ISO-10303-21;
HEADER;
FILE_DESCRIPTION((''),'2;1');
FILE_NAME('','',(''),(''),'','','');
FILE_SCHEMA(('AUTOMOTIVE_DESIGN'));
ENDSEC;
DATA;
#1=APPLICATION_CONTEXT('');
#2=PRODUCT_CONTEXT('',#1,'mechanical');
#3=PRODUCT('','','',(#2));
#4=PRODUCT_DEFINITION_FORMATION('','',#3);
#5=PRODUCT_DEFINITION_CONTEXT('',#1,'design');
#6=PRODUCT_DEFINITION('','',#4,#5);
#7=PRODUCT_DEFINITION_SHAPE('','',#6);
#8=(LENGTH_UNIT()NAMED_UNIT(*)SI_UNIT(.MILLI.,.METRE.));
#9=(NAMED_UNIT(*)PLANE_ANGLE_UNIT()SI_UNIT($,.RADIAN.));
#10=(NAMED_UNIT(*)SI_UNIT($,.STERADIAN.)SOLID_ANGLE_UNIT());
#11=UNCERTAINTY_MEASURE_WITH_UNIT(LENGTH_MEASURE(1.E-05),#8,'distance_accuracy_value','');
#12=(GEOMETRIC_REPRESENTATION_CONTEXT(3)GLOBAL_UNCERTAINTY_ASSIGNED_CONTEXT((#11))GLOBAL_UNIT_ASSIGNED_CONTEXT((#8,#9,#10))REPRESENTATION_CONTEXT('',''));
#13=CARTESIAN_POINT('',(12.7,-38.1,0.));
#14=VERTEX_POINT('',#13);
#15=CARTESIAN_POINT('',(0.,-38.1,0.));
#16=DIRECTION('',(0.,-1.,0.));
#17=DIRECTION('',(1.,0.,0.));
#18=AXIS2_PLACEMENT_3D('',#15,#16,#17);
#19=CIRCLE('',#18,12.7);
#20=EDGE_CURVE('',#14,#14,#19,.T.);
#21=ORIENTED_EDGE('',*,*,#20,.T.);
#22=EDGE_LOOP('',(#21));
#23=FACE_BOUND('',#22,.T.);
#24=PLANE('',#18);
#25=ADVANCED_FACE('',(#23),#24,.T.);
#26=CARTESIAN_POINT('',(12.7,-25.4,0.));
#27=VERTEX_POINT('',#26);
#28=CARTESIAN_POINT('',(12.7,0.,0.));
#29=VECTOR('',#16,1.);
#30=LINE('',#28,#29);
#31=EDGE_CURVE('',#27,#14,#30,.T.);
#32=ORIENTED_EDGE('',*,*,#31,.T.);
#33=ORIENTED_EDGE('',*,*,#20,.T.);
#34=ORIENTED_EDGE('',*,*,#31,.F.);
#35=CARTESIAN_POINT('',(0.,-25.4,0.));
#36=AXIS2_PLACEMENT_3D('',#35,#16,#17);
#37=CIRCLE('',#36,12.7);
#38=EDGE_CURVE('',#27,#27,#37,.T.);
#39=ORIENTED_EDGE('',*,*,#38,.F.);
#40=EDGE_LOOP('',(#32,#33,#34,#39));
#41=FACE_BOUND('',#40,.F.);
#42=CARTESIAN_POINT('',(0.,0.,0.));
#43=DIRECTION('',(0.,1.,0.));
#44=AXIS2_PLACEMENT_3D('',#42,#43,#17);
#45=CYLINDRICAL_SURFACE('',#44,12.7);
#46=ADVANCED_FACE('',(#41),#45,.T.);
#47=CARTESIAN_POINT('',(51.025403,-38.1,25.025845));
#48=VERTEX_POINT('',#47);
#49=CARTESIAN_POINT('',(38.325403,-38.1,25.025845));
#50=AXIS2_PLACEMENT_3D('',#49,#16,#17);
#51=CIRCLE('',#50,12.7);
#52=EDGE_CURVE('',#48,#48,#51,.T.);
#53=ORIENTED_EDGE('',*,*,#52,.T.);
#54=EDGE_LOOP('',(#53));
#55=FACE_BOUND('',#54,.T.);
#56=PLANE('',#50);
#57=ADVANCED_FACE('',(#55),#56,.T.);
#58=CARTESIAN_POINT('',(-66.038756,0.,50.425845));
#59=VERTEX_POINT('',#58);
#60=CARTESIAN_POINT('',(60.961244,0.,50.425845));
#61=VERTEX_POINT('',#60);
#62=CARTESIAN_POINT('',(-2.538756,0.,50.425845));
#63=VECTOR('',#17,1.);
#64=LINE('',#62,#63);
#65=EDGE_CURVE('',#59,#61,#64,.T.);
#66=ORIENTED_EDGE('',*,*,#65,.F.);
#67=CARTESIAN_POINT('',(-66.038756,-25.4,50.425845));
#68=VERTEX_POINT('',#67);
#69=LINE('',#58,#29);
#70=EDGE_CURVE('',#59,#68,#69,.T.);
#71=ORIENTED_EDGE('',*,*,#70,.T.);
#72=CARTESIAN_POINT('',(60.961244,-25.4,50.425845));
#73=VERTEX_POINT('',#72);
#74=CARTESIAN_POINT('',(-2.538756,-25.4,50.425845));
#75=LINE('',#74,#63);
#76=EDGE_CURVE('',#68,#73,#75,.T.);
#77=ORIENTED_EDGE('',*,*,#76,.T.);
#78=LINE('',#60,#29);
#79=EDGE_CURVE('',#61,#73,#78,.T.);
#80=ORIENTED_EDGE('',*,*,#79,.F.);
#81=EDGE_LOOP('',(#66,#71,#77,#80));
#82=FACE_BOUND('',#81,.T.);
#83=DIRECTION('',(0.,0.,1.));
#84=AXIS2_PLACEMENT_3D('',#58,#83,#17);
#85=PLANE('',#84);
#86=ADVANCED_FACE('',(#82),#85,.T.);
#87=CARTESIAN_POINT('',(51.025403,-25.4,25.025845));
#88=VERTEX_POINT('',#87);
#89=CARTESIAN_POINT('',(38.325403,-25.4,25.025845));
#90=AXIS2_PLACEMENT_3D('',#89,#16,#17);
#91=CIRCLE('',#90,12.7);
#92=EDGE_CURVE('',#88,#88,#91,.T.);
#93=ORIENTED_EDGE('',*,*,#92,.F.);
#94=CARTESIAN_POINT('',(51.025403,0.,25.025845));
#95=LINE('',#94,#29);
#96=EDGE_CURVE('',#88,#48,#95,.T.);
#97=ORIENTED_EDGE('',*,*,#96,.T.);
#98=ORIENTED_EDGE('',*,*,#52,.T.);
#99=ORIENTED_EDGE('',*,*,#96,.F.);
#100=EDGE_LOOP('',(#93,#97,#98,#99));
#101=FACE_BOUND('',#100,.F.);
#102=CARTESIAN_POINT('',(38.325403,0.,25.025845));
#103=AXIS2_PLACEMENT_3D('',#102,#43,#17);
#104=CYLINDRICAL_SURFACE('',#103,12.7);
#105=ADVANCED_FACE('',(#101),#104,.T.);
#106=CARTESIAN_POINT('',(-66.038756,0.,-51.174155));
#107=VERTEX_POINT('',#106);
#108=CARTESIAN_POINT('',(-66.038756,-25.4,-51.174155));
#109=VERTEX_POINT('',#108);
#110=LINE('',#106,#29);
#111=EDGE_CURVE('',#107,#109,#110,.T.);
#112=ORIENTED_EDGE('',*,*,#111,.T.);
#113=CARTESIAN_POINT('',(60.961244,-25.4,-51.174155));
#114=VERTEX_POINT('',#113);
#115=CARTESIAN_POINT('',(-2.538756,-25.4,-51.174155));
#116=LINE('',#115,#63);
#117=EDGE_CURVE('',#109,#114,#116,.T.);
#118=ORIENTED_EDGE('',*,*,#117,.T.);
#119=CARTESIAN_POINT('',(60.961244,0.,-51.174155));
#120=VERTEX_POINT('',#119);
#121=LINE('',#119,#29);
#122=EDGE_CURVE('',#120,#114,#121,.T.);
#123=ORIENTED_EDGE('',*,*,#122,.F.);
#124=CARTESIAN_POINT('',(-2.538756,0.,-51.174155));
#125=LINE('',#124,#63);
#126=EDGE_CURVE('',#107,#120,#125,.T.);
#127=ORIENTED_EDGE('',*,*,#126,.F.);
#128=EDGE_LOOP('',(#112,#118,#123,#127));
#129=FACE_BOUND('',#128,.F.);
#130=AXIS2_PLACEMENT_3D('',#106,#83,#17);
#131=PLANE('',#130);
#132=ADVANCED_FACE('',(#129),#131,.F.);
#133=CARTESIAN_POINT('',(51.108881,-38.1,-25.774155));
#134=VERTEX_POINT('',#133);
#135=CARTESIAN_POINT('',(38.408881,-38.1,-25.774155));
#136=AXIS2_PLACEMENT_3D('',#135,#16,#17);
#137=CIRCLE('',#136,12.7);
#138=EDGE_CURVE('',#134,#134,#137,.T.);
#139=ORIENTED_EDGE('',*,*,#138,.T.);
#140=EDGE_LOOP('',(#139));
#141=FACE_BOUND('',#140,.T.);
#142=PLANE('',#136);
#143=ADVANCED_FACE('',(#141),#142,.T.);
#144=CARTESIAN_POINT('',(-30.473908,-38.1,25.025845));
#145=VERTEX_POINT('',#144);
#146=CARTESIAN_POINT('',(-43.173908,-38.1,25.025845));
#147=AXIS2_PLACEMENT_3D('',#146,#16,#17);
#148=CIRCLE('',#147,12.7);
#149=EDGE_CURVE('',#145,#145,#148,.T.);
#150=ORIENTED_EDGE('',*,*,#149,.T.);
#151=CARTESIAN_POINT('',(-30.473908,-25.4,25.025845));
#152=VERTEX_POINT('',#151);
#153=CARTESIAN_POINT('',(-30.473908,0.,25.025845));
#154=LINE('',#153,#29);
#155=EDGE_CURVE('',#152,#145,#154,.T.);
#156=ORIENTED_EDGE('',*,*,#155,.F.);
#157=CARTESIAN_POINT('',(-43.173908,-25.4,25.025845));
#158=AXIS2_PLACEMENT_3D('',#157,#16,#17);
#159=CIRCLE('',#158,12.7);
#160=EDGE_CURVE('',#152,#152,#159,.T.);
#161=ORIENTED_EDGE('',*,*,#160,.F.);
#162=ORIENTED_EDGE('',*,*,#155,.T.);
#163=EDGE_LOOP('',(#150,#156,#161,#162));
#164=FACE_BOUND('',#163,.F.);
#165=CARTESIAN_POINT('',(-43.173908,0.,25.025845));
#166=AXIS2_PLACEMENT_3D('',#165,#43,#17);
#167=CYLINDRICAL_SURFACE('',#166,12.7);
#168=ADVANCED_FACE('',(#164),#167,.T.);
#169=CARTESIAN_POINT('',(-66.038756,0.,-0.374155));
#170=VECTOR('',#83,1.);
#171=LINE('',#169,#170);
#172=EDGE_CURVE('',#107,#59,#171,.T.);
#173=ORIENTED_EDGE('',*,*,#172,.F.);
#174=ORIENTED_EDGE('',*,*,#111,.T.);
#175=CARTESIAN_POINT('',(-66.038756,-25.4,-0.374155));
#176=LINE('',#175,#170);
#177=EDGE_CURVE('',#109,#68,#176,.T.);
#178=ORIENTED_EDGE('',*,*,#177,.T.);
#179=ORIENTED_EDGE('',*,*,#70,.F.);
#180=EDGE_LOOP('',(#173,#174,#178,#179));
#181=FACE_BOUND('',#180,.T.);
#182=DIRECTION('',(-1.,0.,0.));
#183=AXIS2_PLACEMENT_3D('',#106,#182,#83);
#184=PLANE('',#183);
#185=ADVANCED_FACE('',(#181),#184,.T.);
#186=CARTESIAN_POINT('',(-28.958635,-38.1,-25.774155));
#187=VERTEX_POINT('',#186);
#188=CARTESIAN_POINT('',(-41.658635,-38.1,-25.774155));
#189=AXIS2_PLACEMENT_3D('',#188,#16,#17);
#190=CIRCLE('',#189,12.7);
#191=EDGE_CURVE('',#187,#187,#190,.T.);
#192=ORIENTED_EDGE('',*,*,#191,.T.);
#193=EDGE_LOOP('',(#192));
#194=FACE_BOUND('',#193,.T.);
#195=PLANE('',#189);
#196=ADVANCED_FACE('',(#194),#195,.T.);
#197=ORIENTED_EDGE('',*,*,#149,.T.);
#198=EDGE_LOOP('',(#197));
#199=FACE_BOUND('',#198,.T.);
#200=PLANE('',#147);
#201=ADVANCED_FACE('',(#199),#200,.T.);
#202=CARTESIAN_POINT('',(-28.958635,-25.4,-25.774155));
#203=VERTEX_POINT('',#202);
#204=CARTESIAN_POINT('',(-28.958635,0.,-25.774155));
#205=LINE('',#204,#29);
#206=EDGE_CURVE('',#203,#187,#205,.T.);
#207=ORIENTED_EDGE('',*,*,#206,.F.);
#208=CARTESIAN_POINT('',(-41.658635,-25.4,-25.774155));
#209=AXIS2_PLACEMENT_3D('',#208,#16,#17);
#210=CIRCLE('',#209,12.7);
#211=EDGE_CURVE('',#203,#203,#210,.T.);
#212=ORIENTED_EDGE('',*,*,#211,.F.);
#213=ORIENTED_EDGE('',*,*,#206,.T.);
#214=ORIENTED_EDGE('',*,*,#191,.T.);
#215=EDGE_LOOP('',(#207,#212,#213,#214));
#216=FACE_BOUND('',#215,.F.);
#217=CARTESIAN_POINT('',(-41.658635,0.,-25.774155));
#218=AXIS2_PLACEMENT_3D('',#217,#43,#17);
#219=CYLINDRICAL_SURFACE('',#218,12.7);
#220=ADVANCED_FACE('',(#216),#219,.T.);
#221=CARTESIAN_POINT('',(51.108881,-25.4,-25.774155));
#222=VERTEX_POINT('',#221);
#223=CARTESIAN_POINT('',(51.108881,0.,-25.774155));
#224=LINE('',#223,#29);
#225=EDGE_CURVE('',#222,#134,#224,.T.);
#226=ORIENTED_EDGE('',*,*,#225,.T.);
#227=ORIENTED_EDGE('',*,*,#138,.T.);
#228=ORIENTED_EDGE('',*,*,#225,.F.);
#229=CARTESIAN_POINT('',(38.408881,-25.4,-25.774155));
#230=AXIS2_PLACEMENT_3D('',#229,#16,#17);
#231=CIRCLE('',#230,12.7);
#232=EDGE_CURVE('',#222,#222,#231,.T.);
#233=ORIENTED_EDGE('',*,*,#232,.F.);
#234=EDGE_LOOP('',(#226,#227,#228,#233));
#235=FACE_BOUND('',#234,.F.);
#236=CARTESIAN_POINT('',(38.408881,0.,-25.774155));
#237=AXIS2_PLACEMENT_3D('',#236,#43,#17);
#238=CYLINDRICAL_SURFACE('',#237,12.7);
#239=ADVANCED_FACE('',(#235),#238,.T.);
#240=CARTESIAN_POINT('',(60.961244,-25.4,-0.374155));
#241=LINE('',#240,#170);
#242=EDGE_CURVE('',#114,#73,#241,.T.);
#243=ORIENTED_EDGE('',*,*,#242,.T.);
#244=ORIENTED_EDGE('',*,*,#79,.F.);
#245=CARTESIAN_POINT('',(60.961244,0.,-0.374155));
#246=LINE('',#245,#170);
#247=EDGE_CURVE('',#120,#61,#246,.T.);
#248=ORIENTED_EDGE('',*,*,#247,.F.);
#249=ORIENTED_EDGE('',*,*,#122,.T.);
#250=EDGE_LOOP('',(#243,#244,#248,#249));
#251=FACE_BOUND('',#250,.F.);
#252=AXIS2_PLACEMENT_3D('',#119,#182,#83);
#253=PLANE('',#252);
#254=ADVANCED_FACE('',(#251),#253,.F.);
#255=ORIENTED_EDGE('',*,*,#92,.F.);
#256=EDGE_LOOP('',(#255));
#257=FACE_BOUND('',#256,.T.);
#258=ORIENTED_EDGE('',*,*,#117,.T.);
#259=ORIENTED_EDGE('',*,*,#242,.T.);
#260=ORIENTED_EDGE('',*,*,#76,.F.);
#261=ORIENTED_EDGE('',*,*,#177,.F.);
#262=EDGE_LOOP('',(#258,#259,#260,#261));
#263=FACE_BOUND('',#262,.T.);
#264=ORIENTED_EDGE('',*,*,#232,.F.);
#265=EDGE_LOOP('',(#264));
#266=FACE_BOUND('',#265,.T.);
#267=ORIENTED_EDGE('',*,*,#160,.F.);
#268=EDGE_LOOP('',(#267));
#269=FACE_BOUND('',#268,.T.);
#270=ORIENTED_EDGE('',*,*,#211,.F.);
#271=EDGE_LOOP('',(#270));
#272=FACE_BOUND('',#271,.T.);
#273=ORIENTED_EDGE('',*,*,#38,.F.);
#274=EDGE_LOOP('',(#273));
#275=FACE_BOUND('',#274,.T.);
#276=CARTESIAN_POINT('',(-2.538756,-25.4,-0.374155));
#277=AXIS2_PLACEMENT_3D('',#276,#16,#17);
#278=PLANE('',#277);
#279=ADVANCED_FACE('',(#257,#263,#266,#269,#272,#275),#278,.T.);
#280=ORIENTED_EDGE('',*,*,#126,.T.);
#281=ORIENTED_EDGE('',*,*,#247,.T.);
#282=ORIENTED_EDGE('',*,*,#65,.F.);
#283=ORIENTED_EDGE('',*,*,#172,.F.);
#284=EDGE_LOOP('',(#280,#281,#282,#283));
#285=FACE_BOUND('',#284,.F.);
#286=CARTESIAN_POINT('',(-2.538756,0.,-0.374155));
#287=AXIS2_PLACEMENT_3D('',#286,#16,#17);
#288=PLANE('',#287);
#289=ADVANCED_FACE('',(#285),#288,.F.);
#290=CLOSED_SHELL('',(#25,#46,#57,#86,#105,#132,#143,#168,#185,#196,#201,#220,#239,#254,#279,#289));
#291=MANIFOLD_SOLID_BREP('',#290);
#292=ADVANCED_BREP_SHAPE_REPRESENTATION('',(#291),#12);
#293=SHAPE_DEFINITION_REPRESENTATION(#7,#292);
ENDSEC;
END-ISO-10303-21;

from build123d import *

# Parameters (mm, degrees)
F0_W     = 127
F0_H     = 101.6
F0_R     = 12.7
F1_DEPTH = 25.4
F2_DEPTH = 38.1


with BuildPart() as f1:
    # F0 (on Front) → F1 (new body)
    with BuildSketch(Plane.XZ):
        with Locations((-2.538756, -0.374155)):
            Rectangle(F0_W, F0_H)
        with Locations((-41.658635, -25.774155)):
            Circle(F0_R, mode=Mode.SUBTRACT)
        with Locations((38.408881, -25.774155)):
            Circle(F0_R, mode=Mode.SUBTRACT)
        with Locations((-43.173908, 25.025845)):
            Circle(F0_R, mode=Mode.SUBTRACT)
        Circle(F0_R, mode=Mode.SUBTRACT)
        with Locations((38.325403, 25.025845)):
            Circle(F0_R, mode=Mode.SUBTRACT)
    extrude(amount=F1_DEPTH)

    # F0 (on Front) → F2 (join)
    with BuildSketch(Plane.XZ):
        with Locations((-43.173908, 25.025845)):
            Circle(F0_R)
        with Locations((-41.658635, -25.774155)):
            Circle(F0_R)
        Circle(F0_R)
        with Locations((38.325403, 25.025845)):
            Circle(F0_R)
        with Locations((38.408881, -25.774155)):
            Circle(F0_R)
    extrude(amount=F2_DEPTH)


solid = f1.part
